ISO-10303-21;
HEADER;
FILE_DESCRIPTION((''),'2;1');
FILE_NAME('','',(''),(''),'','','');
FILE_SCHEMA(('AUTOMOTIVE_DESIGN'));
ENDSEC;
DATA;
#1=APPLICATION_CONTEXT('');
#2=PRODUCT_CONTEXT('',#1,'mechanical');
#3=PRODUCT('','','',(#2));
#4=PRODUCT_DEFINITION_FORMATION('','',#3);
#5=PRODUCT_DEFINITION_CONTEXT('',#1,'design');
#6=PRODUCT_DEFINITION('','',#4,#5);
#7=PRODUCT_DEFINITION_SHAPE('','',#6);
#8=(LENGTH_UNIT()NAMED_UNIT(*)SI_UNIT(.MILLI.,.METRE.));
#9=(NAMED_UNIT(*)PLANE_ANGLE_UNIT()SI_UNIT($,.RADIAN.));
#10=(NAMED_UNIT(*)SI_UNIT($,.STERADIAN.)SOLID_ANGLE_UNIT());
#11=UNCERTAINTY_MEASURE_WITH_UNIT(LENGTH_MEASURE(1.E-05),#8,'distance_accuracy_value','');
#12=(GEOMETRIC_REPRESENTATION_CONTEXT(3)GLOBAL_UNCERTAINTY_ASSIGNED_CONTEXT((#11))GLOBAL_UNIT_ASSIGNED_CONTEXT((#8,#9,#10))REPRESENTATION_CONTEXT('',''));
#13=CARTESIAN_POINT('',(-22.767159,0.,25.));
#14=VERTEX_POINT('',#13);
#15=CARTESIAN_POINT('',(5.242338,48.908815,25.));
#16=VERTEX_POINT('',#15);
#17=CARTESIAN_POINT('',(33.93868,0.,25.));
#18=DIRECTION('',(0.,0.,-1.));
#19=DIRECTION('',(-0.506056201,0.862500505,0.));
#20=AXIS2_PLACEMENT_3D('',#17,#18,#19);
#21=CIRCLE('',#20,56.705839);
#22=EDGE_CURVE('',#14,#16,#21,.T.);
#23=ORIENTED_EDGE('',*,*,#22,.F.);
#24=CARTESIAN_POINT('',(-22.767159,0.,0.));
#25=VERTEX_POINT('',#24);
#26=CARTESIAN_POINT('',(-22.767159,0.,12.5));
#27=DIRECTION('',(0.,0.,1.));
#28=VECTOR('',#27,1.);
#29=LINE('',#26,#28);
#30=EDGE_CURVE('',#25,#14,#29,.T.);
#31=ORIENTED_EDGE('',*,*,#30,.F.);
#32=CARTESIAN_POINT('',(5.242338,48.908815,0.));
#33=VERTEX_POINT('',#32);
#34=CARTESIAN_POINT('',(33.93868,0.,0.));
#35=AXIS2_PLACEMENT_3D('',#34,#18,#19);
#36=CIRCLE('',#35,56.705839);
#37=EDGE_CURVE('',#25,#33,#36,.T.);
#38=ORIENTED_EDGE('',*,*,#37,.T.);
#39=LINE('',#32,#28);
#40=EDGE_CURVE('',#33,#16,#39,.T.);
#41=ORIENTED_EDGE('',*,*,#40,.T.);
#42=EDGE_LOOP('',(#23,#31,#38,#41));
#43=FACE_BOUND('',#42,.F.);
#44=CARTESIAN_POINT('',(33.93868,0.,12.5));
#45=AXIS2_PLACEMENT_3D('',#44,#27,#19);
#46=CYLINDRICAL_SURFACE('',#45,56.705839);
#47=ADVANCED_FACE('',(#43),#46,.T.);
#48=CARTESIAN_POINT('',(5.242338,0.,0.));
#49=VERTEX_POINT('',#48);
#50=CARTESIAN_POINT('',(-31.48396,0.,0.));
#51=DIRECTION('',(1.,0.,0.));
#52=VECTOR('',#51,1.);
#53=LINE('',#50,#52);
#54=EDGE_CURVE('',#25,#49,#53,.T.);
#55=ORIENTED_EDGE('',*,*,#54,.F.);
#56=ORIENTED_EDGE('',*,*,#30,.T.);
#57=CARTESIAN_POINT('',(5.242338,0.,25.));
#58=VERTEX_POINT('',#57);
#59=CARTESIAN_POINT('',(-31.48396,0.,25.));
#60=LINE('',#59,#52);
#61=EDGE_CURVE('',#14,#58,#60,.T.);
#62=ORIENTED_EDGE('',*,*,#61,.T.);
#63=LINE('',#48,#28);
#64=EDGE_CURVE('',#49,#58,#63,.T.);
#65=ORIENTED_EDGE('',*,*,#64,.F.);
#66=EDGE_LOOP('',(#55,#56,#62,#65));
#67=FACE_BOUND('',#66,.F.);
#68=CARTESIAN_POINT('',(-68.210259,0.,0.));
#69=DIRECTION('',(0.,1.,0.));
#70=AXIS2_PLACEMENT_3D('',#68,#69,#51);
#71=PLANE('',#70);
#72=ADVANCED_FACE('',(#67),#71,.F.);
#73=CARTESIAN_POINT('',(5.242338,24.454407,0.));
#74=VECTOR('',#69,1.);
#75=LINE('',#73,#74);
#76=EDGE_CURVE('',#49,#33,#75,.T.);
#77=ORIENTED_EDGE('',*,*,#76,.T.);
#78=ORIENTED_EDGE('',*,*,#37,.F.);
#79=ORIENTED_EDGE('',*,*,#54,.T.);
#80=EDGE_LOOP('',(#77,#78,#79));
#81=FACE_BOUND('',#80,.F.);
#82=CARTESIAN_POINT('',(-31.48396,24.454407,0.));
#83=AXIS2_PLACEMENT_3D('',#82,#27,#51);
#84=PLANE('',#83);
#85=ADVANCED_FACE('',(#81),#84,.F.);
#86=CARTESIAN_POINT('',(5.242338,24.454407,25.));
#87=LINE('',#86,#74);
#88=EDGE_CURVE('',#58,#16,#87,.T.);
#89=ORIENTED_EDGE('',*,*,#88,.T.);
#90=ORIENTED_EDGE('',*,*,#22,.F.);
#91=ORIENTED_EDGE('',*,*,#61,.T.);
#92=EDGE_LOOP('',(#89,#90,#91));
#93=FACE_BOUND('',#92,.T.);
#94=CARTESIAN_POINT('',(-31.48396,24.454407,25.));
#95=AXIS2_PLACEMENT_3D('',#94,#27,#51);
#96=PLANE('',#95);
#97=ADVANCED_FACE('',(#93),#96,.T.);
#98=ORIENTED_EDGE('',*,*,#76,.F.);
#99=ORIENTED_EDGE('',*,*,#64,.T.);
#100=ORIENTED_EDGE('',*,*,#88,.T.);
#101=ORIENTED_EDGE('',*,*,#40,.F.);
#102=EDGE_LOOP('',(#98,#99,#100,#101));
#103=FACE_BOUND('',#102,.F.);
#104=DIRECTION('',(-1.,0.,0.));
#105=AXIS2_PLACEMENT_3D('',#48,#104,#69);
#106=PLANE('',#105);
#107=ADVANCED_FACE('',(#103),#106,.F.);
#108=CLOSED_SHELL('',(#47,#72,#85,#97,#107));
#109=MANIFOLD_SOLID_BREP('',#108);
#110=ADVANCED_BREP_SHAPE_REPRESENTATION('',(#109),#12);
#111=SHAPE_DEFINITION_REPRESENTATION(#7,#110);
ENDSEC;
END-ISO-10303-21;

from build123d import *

# Parameters (mm, degrees)
F0_W       = 73.452597484
F0_H       = 48.9088147879
F1_DEPTH   = 25
F1_FACE1_W = 48.9088147879
F1_FACE1_H = 25


with BuildPart() as f1:
    # F0 (on Top) → F1 (new body)
    with BuildSketch(Plane.XY):
        with Locations((-31.4839603379, 24.4544073939)):
            Rectangle(F0_W, F0_H)
    extrude(amount=F1_DEPTH)

    # F1_face1 (on face) → F3 (revolve, intersect)
    with BuildSketch(Plane(origin=(5.2423384041, 24.4544073939, 12.5), x_dir=(0, 1, 0), z_dir=(1, 0, 0))):
        Rectangle(F1_FACE1_W, F1_FACE1_H)
    revolve(axis=Axis((33.9386798441, 0, 11.1382296309), (0, 0, -1)), mode=Mode.INTERSECT)


solid = f1.part
